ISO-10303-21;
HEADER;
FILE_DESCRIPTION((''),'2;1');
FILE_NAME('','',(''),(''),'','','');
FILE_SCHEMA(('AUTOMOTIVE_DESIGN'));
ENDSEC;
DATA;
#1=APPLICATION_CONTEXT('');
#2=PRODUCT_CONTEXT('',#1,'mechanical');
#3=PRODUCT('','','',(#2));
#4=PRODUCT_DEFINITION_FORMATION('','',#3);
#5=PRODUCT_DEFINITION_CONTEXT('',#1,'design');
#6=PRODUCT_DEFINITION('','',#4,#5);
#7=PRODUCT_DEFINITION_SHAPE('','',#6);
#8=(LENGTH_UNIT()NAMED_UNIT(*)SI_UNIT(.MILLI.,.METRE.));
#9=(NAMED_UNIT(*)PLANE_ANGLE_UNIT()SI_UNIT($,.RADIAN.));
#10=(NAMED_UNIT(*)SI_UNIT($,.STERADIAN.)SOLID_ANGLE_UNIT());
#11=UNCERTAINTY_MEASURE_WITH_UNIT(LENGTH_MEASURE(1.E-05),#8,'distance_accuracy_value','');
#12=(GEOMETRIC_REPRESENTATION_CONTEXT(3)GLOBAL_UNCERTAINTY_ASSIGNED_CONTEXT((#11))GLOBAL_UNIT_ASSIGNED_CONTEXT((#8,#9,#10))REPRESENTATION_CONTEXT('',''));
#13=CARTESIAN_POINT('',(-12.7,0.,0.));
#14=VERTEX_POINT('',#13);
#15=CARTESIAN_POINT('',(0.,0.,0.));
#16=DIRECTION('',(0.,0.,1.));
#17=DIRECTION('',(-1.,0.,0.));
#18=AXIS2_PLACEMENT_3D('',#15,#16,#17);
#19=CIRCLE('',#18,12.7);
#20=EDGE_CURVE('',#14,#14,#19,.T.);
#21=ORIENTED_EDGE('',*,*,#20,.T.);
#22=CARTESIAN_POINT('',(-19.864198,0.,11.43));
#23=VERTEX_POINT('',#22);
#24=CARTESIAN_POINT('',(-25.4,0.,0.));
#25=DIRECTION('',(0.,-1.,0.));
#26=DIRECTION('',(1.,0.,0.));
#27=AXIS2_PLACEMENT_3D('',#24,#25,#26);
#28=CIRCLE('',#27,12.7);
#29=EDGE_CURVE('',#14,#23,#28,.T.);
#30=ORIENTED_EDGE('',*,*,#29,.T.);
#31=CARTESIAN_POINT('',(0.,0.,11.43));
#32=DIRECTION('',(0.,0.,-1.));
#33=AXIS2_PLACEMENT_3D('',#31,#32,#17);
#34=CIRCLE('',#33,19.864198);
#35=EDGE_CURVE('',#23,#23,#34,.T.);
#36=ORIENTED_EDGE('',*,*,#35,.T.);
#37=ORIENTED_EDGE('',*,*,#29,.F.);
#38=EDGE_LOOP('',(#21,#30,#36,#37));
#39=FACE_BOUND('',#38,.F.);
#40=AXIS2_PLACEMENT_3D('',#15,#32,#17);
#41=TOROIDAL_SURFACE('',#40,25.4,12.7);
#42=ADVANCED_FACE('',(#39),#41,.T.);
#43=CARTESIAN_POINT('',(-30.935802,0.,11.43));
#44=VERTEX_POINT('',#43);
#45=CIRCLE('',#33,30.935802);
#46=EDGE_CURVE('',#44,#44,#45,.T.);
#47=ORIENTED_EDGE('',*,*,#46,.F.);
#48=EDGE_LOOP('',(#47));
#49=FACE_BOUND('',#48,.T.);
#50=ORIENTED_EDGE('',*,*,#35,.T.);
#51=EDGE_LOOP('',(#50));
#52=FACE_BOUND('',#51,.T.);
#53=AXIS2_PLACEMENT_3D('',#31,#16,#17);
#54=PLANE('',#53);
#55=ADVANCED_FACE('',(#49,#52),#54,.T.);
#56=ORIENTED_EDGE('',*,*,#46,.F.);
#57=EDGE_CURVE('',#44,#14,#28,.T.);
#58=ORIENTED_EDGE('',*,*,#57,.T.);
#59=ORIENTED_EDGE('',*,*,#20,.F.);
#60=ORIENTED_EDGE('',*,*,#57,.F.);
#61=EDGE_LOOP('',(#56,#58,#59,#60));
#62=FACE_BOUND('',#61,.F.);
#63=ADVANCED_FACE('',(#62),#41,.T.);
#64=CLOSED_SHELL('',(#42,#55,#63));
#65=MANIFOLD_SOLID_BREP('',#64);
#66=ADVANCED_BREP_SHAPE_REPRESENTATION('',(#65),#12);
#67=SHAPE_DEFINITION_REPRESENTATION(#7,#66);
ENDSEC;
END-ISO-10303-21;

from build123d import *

# Parameters (mm, degrees)
F0_R = 12.7
F2_W = 31.75
F2_H = 12.7


with BuildPart() as f1:
    # F0 (on Front) → F1 (revolve)
    with BuildSketch(Plane.XZ):
        with Locations((-25.4, 0)):
            Circle(F0_R)
    revolve(axis=Axis((0, 0, 22.959797), (0, 0, 1)))

    # F2 (on Front) → F3 (revolve, cut)
    with BuildSketch(Plane.XZ):
        with Locations((-26.035, 17.78)):
            Rectangle(F2_W, F2_H)
    revolve(axis=Axis((0, 0, 8.946116), (0, 0, 1)), mode=Mode.SUBTRACT)


solid = f1.part
